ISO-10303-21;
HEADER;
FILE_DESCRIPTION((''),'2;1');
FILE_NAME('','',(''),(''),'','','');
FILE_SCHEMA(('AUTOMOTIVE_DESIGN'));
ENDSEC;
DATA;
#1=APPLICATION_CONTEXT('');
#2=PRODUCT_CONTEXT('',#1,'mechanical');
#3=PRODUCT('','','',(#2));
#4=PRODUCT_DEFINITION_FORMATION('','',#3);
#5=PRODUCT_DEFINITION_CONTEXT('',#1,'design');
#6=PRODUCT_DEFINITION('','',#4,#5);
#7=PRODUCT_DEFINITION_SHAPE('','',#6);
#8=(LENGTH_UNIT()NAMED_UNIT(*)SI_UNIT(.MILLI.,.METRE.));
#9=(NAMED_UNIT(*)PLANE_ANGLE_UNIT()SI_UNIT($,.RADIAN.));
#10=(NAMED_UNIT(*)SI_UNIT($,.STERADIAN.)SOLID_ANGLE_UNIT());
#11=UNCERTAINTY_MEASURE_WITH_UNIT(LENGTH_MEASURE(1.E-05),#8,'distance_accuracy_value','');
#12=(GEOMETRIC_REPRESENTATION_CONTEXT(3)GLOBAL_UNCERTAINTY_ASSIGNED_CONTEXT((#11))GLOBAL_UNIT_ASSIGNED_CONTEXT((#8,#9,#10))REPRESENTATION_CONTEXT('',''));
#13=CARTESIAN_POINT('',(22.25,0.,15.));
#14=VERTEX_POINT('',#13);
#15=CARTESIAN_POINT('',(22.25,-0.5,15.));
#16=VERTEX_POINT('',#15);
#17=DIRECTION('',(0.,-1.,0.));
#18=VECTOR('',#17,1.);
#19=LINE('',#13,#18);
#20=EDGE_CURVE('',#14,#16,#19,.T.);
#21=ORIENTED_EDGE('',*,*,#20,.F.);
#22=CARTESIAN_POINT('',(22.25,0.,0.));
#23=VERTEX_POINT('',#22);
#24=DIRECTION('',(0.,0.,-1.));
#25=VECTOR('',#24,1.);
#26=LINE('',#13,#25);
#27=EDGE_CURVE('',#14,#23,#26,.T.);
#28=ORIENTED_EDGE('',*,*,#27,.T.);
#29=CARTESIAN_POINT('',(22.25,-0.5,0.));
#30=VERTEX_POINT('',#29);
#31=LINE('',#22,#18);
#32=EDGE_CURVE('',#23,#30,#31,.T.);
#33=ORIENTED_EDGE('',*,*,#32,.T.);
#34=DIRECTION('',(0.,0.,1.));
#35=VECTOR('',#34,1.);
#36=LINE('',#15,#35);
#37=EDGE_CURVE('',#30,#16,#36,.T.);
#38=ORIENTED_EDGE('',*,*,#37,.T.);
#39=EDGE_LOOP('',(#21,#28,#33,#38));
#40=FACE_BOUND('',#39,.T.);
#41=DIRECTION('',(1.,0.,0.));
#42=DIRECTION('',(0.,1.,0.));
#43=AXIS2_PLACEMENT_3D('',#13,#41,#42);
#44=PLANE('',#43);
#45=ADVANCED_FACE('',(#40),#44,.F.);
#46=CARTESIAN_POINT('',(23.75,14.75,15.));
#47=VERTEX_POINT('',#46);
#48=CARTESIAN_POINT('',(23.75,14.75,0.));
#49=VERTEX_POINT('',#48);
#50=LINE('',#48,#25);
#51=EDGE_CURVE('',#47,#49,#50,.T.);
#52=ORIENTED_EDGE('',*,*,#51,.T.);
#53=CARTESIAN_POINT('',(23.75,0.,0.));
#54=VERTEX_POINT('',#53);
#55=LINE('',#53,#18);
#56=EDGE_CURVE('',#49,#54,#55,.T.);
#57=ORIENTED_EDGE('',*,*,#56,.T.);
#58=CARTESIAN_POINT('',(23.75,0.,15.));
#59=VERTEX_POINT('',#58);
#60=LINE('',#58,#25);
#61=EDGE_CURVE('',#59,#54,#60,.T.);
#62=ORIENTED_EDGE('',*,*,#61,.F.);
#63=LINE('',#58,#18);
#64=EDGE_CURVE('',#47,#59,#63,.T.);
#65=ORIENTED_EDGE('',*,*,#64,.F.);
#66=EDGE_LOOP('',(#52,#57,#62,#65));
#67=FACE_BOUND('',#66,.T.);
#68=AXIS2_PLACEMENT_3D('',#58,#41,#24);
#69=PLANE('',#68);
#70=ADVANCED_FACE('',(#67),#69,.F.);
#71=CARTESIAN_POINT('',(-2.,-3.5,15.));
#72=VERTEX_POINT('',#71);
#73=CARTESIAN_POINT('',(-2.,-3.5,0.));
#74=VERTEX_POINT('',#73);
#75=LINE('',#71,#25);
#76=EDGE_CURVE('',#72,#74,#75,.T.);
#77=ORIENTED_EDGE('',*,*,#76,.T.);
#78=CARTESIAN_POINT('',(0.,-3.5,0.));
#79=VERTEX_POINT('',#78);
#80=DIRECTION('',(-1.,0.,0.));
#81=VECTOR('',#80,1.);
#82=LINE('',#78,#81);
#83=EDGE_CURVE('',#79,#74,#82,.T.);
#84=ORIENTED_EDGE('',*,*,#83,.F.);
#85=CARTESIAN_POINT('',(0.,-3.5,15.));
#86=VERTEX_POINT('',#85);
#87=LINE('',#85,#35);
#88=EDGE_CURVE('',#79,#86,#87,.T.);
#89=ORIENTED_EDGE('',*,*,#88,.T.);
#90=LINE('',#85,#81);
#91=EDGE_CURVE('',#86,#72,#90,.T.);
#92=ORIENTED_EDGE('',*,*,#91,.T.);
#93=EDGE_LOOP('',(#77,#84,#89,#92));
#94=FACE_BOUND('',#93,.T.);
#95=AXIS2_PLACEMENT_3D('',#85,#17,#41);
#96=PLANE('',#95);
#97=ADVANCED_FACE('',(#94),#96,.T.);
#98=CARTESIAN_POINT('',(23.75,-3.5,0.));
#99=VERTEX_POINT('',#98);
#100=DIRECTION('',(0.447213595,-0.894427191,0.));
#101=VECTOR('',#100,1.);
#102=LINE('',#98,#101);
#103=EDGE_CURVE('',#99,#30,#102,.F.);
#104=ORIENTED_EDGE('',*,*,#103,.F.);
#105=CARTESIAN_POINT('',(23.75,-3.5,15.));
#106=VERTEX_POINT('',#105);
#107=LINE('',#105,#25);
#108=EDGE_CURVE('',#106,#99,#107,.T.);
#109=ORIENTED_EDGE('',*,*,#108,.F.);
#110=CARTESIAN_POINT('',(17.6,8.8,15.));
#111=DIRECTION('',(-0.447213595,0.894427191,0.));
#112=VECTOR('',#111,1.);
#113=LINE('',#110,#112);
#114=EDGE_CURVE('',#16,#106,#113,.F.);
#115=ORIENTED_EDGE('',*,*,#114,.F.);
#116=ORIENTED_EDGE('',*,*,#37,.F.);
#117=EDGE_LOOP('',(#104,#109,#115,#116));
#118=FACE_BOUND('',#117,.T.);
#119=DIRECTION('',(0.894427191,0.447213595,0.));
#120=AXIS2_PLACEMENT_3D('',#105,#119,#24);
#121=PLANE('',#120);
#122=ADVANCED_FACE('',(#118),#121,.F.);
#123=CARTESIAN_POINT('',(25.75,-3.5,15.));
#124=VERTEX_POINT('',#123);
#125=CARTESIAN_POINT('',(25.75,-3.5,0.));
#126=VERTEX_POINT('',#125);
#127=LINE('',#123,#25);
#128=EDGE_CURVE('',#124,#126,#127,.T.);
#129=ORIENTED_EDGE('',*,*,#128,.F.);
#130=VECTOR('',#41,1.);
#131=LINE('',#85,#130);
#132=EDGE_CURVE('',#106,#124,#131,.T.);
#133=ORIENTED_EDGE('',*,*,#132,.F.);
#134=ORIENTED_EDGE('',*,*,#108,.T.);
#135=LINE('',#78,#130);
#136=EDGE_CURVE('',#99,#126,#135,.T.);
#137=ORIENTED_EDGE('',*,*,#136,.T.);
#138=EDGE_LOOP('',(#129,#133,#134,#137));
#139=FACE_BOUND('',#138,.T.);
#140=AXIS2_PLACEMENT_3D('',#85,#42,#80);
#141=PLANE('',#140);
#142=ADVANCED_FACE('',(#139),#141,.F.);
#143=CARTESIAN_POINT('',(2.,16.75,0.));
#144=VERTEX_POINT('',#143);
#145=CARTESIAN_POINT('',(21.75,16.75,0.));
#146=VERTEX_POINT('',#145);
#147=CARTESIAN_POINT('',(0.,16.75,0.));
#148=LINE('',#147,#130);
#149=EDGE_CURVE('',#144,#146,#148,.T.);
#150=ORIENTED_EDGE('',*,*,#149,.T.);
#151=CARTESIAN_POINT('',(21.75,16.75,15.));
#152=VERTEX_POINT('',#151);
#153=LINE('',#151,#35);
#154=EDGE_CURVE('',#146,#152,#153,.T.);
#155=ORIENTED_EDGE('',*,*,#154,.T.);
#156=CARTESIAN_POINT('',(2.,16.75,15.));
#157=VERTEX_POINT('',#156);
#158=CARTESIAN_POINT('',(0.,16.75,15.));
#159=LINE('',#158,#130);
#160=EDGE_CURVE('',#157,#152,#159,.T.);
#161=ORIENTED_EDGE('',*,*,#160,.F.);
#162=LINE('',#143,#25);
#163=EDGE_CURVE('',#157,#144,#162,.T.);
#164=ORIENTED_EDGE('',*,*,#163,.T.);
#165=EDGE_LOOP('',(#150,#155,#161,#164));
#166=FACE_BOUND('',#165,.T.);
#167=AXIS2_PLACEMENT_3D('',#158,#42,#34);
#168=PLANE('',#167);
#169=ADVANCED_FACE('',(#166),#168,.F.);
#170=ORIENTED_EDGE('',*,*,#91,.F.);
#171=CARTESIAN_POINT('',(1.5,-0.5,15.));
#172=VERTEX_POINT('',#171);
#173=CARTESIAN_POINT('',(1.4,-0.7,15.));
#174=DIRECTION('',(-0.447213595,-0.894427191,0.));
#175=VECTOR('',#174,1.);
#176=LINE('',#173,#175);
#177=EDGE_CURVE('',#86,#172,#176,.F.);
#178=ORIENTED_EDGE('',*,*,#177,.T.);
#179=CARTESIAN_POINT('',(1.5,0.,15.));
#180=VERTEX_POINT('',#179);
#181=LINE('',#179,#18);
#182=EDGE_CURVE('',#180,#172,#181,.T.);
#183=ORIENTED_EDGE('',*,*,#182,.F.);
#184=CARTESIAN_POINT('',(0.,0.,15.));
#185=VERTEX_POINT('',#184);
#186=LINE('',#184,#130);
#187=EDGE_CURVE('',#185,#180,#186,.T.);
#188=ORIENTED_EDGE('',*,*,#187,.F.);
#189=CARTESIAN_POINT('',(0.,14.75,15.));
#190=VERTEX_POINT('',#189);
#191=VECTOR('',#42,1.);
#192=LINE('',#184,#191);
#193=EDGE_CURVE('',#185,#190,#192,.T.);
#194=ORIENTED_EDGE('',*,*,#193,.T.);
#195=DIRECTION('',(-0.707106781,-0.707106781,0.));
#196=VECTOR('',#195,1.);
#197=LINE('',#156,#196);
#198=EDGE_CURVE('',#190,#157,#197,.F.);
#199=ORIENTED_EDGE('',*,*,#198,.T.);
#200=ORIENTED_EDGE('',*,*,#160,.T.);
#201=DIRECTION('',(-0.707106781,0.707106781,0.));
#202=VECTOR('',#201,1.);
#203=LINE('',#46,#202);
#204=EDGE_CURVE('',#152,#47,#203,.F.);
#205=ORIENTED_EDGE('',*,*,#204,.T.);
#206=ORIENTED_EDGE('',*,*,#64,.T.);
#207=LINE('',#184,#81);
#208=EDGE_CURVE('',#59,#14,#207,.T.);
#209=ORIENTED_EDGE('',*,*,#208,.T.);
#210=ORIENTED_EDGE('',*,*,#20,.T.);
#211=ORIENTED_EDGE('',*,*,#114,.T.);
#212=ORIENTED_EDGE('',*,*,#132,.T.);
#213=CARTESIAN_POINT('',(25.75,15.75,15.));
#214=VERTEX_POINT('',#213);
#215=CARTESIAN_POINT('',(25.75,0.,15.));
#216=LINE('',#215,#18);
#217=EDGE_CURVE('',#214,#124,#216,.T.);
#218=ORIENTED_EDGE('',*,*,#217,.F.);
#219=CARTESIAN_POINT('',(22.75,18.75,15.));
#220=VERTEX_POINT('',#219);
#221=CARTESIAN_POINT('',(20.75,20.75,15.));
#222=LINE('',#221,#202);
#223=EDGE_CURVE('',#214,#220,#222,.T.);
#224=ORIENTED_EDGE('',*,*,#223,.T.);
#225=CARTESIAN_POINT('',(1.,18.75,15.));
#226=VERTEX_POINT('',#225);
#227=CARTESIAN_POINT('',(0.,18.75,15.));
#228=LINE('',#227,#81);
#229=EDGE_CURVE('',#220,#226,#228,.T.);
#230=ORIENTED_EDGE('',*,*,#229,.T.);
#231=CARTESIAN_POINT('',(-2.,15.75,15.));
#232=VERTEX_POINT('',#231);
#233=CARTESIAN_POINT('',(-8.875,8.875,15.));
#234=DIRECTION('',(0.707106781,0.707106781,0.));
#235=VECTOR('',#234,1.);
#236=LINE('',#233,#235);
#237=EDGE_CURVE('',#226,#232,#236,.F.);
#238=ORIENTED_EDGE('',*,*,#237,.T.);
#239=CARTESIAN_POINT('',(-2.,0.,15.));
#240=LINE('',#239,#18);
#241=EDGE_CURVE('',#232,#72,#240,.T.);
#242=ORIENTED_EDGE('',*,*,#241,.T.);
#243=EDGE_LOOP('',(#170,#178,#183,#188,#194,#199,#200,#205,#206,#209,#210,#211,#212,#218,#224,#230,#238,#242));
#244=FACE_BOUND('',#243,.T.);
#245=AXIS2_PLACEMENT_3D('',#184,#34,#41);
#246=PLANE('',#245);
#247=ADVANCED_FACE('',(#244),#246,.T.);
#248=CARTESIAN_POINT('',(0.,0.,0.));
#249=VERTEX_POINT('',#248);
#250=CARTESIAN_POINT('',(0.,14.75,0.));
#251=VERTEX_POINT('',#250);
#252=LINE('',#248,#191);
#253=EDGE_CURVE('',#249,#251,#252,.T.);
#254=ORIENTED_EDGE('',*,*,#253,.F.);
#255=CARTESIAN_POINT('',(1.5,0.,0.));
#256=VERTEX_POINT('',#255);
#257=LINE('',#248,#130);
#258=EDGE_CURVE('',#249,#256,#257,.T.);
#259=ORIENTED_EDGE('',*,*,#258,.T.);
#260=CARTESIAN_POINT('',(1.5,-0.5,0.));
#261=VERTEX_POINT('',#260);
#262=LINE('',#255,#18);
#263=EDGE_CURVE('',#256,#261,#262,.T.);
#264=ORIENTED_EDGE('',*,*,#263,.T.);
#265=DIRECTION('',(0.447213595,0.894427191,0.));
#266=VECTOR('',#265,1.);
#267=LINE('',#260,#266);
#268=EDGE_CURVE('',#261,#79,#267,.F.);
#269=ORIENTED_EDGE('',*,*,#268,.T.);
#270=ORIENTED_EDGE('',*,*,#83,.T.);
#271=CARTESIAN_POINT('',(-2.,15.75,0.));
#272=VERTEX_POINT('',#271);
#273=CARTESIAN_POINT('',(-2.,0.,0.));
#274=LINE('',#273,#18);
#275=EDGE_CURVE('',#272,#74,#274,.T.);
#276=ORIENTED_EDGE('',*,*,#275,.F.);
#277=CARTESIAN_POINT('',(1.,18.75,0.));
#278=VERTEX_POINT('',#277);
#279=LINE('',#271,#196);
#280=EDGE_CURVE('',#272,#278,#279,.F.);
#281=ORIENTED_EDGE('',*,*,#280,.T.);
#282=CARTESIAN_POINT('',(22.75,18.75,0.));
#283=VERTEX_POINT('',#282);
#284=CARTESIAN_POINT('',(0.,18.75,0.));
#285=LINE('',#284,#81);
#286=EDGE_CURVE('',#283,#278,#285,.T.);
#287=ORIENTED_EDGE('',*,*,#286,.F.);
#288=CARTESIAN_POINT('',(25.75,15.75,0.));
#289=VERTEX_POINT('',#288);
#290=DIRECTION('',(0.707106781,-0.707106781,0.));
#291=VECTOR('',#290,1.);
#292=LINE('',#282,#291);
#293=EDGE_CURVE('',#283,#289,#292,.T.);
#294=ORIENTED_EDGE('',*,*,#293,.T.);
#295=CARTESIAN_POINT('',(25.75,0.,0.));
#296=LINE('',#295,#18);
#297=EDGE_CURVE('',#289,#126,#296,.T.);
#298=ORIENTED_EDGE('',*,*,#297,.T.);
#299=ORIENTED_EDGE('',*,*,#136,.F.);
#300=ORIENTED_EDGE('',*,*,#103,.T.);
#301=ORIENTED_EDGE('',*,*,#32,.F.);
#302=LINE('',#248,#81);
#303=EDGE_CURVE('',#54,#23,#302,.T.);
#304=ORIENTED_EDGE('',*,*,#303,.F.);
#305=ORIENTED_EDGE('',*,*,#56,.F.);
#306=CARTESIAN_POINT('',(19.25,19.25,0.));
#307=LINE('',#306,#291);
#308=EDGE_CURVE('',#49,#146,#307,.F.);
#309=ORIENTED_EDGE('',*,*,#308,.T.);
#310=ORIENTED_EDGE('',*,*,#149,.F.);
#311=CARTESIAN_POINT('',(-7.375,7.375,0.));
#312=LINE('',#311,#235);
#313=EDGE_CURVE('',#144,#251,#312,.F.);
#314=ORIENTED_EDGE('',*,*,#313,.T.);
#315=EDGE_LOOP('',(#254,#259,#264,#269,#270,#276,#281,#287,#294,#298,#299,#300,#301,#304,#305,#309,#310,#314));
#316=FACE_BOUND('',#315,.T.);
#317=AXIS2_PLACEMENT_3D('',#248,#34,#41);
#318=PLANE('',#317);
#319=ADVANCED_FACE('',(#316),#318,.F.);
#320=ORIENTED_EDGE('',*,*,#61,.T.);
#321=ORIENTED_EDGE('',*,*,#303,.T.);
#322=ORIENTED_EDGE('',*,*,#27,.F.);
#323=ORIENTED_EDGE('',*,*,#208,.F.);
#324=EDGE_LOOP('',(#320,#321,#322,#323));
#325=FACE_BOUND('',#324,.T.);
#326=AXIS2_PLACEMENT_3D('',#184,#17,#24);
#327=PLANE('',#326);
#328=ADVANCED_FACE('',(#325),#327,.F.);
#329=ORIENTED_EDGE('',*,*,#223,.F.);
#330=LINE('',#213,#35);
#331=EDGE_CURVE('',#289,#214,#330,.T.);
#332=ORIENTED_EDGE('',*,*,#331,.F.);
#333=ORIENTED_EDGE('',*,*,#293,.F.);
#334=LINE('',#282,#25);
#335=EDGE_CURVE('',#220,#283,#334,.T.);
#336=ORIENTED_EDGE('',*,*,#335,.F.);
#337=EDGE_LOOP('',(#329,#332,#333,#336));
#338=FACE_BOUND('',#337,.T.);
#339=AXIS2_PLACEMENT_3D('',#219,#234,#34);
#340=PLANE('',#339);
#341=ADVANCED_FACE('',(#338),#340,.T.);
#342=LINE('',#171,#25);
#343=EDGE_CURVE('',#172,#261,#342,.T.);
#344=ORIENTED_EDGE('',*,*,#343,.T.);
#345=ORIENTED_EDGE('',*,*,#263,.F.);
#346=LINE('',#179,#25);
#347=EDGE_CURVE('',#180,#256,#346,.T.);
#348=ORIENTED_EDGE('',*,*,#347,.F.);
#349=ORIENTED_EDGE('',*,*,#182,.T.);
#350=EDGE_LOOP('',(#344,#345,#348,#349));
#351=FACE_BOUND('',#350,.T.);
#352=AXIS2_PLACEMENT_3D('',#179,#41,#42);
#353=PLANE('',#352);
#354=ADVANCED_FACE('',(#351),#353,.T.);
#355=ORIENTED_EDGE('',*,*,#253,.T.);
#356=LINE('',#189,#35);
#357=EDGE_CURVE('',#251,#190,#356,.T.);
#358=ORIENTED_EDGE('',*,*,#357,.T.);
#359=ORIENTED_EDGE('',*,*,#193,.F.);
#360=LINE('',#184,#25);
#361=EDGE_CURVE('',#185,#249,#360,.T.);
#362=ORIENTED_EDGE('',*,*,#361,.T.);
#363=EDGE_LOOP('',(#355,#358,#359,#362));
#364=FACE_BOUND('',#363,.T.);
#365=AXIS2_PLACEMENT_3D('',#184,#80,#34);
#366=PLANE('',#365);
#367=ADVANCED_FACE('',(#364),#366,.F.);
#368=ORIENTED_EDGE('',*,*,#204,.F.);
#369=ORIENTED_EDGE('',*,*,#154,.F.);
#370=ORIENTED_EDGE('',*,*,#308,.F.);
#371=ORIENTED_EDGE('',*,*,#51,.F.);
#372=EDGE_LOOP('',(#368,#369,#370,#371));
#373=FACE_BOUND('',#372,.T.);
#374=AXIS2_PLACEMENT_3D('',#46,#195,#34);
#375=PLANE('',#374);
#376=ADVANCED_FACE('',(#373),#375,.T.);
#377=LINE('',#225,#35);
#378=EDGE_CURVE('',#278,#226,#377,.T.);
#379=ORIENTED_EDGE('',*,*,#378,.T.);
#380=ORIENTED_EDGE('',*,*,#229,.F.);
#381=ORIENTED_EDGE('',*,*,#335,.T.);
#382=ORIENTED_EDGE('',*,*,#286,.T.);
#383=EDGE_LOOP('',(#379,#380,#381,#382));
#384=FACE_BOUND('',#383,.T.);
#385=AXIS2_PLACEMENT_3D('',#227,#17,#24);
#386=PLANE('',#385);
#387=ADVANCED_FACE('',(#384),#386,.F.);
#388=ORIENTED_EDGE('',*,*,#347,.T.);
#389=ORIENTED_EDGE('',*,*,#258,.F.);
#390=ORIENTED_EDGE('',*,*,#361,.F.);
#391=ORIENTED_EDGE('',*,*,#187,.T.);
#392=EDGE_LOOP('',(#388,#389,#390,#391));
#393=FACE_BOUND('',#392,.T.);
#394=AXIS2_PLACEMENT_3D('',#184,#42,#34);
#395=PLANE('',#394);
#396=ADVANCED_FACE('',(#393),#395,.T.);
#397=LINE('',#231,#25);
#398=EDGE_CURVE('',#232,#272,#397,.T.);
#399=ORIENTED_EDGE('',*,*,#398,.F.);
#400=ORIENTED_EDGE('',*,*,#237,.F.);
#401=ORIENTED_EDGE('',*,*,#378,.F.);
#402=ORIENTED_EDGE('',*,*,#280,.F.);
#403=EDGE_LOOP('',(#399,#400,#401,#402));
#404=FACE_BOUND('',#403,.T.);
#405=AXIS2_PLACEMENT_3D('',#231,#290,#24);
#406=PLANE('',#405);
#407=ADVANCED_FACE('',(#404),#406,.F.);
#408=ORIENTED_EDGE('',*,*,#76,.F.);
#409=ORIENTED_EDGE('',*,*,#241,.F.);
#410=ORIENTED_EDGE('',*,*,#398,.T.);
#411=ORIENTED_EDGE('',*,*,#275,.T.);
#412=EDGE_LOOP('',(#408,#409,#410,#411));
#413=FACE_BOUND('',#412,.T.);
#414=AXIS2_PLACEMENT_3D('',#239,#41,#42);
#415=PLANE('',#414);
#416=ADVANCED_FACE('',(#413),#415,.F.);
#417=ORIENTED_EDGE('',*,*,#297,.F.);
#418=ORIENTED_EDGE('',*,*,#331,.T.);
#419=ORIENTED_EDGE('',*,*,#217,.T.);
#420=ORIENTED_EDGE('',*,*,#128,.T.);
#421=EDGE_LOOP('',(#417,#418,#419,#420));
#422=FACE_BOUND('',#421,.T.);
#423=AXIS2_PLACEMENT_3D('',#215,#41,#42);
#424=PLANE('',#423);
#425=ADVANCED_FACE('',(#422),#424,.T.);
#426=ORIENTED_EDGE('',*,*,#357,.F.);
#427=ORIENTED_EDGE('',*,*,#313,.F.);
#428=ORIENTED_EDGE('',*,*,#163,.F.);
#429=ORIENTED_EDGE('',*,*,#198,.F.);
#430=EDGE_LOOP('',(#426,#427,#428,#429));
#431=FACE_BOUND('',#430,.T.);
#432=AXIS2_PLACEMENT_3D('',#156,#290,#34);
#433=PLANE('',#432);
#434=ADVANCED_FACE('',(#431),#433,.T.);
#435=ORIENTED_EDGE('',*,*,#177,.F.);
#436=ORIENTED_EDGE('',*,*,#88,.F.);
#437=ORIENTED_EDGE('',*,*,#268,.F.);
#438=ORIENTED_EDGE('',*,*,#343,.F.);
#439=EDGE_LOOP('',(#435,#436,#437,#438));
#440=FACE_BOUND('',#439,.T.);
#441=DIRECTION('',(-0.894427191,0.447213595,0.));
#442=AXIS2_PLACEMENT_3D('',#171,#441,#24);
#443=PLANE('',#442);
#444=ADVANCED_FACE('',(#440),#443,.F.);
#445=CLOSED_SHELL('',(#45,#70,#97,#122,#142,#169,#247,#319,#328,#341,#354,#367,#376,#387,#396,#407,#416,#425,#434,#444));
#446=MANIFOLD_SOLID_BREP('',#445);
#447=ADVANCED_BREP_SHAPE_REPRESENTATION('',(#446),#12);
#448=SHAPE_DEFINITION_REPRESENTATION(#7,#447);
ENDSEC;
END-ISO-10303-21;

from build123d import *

# Parameters (mm, degrees)
BOSS_EXTRUDE1_DEPTH = 15
CHAMFER1_SIZE       = 3
CHAMFER2_SIZE       = 2
CHAMFER3_SIZE       = 1.5
CHAMFER3_SIZE2      = 3
CHAMFER4_SIZE       = 3
CHAMFER4_SIZE2      = 1.5


with BuildPart() as part:
    # Sketch1 → Boss-Extrude1 (new body)
    with BuildSketch(Plane.XY):
        Polygon((1.5, 0), (0, 0), (0, 16.75), (11.875, 16.75), (11.875, 18.75), (-2, 18.75), (-2, -3.5), (1.5, -3.5), align=None)
        Polygon((11.875, 18.75), (11.875, 16.75), (23.75, 16.75), (23.75, 0), (22.25, 0), (22.25, -3.5), (25.75, -3.5), (25.75, 18.75), align=None)
    extrude(amount=BOSS_EXTRUDE1_DEPTH)

    # Chamfer1
    chamfer1_edges = [part.edges().sort_by_distance(p)[0] for p in [
        (25.75, 18.75, 7.5),
        (-2, 18.75, 7.5),
    ]]
    chamfer(chamfer1_edges, length=CHAMFER1_SIZE)

    # Chamfer2
    chamfer2_edges = [part.edges().sort_by_distance(p)[0] for p in [
        (23.75, 16.75, 7.5),
        (0, 16.75, 7.5),
    ]]
    chamfer(chamfer2_edges, length=CHAMFER2_SIZE)

    # Chamfer3
    chamfer3_edges = [part.edges().sort_by_distance(p)[0] for p in [
        (1.5, -3.5, 7.5),
    ]]
    chamfer3_side = [part.faces().sort_by_distance(p)[0] for p in [
        (-0.25, -3.5, 7.5),
    ]]
    chamfer(chamfer3_edges, length=CHAMFER3_SIZE, length2=CHAMFER3_SIZE2, reference=chamfer3_side[0])

    # Chamfer4
    chamfer4_edges = [part.edges().sort_by_distance(p)[0] for p in [
        (22.25, -3.5, 7.5),
    ]]
    chamfer4_side = [part.faces().sort_by_distance(p)[0] for p in [
        (22.25, -1.75, 7.5),
    ]]
    chamfer(chamfer4_edges, length=CHAMFER4_SIZE, length2=CHAMFER4_SIZE2, reference=chamfer4_side[0])


solid = part.part
